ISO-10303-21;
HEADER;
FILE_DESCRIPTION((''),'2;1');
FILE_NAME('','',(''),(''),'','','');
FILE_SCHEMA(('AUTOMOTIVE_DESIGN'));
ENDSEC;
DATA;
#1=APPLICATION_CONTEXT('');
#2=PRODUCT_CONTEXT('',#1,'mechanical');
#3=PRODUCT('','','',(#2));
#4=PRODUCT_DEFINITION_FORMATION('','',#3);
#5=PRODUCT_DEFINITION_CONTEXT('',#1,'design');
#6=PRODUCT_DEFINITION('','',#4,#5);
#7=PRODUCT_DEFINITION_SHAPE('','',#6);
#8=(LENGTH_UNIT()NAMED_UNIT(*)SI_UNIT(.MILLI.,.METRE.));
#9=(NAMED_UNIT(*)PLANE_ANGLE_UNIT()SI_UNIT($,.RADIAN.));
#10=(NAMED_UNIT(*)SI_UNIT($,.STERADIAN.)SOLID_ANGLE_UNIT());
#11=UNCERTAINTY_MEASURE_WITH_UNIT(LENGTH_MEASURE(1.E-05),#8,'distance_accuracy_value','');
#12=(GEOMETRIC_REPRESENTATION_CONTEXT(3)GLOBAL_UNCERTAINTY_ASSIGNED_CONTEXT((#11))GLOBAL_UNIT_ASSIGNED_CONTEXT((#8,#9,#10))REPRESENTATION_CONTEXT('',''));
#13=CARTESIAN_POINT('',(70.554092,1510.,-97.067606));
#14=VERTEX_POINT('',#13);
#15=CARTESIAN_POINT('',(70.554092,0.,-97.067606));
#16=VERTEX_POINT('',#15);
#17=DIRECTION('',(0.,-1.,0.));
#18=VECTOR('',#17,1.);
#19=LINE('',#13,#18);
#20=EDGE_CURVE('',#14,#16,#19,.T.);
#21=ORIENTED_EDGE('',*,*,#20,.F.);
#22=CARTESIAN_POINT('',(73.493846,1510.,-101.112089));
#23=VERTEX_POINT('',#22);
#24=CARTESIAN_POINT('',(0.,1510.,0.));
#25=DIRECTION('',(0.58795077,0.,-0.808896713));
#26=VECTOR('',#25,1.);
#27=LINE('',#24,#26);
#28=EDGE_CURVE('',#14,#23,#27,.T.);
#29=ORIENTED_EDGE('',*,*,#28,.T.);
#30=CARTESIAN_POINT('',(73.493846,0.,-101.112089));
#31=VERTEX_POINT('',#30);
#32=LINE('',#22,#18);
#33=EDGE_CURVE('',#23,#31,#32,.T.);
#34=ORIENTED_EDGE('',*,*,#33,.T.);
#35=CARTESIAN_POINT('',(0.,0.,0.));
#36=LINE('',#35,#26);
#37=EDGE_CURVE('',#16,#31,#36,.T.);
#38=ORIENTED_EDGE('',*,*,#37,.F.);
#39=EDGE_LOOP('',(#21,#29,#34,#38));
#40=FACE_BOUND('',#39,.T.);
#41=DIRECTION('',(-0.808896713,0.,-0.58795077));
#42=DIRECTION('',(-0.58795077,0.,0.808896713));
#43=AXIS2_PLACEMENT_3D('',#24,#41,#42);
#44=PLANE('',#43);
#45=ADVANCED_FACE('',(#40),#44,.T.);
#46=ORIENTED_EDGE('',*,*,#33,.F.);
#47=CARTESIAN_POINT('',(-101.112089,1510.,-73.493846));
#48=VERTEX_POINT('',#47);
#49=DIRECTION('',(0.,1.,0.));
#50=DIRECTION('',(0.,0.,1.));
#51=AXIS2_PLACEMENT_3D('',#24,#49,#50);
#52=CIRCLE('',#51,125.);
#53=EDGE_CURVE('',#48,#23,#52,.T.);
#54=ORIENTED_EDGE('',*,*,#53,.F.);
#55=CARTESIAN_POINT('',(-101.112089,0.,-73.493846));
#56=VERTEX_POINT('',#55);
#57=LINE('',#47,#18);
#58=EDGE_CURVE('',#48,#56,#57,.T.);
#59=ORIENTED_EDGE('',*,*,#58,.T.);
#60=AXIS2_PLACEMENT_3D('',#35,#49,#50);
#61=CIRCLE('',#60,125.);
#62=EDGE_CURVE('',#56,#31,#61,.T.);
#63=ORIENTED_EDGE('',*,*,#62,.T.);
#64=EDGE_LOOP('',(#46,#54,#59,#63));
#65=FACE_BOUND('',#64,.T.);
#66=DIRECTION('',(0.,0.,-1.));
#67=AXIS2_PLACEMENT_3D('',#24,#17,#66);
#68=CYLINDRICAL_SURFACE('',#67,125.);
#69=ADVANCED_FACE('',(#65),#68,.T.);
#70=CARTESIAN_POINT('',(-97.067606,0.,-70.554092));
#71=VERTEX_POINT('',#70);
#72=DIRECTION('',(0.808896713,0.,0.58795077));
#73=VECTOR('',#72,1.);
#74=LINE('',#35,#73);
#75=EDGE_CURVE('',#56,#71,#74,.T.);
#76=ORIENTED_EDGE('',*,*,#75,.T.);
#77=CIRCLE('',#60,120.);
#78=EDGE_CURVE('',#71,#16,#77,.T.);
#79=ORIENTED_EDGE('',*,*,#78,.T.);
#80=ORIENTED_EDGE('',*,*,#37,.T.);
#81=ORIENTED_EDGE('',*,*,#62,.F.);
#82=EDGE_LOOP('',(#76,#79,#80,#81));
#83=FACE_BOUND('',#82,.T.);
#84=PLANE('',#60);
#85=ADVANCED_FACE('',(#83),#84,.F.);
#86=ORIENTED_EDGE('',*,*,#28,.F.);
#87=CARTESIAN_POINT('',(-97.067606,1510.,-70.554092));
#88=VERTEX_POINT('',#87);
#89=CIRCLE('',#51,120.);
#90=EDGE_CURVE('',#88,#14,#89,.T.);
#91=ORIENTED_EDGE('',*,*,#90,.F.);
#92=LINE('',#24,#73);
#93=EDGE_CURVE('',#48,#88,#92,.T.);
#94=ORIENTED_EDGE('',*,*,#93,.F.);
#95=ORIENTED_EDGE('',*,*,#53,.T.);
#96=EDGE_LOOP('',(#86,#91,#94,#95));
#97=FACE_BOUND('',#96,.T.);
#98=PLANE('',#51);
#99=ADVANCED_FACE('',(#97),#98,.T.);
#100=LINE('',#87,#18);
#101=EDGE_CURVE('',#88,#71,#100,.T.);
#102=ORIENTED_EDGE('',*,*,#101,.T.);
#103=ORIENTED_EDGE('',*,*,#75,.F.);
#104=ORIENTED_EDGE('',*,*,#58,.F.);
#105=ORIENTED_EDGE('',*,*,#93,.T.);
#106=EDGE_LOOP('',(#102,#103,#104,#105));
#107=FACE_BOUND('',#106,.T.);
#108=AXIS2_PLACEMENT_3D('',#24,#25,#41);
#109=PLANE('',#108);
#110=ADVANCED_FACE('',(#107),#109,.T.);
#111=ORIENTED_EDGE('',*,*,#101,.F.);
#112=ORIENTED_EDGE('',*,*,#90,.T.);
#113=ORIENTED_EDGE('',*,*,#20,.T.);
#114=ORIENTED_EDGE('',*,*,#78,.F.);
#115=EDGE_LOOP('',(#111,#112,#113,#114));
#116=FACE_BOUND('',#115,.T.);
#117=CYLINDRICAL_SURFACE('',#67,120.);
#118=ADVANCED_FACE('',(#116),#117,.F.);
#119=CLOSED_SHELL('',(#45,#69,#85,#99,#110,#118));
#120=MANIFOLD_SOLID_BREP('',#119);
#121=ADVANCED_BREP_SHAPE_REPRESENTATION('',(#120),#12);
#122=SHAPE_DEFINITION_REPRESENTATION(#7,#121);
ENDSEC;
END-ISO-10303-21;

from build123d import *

# Parameters (mm, degrees)
BOSS_EXTRUDE1_DEPTH = 1510


with BuildPart() as part:
    # Sketch2 → Boss-Extrude1 (new body)
    with BuildSketch(Plane(origin=(0, 0, 0), x_dir=(1, 0, 0), z_dir=(0, 1, 0))):
        with BuildLine():
            ThreePointArc((70.554092404, 97.067605539), (106.926355704, 54.467921346), (120, 0))
            Line((120, 0), (125, 0))
            ThreePointArc((125, 0), (111.381620526, 56.737418069), (73.493846254, 101.112089103))
            Line((73.493846254, 101.112089103), (70.554092404, 97.067605539))
        make_face()
        with BuildLine():
            Line((-125, 0), (-120, 0))
            ThreePointArc((-120, 0), (-114.122987747, 37.093714665), (-97.067605539, 70.554092404))
            Line((-97.067605539, 70.554092404), (-101.112089103, 73.493846254))
            ThreePointArc((-101.112089103, 73.493846254), (-118.878112237, 38.63928611), (-125, 0))
        make_face()
        with BuildLine():
            Line((125, 0), (120, 0))
            ThreePointArc((120, 0), (0, -120), (-120, 0))
            Line((-120, 0), (-125, 0))
            ThreePointArc((-125, 0), (0, -125), (125, 0))
        make_face()
    extrude(amount=BOSS_EXTRUDE1_DEPTH)


solid = part.part
